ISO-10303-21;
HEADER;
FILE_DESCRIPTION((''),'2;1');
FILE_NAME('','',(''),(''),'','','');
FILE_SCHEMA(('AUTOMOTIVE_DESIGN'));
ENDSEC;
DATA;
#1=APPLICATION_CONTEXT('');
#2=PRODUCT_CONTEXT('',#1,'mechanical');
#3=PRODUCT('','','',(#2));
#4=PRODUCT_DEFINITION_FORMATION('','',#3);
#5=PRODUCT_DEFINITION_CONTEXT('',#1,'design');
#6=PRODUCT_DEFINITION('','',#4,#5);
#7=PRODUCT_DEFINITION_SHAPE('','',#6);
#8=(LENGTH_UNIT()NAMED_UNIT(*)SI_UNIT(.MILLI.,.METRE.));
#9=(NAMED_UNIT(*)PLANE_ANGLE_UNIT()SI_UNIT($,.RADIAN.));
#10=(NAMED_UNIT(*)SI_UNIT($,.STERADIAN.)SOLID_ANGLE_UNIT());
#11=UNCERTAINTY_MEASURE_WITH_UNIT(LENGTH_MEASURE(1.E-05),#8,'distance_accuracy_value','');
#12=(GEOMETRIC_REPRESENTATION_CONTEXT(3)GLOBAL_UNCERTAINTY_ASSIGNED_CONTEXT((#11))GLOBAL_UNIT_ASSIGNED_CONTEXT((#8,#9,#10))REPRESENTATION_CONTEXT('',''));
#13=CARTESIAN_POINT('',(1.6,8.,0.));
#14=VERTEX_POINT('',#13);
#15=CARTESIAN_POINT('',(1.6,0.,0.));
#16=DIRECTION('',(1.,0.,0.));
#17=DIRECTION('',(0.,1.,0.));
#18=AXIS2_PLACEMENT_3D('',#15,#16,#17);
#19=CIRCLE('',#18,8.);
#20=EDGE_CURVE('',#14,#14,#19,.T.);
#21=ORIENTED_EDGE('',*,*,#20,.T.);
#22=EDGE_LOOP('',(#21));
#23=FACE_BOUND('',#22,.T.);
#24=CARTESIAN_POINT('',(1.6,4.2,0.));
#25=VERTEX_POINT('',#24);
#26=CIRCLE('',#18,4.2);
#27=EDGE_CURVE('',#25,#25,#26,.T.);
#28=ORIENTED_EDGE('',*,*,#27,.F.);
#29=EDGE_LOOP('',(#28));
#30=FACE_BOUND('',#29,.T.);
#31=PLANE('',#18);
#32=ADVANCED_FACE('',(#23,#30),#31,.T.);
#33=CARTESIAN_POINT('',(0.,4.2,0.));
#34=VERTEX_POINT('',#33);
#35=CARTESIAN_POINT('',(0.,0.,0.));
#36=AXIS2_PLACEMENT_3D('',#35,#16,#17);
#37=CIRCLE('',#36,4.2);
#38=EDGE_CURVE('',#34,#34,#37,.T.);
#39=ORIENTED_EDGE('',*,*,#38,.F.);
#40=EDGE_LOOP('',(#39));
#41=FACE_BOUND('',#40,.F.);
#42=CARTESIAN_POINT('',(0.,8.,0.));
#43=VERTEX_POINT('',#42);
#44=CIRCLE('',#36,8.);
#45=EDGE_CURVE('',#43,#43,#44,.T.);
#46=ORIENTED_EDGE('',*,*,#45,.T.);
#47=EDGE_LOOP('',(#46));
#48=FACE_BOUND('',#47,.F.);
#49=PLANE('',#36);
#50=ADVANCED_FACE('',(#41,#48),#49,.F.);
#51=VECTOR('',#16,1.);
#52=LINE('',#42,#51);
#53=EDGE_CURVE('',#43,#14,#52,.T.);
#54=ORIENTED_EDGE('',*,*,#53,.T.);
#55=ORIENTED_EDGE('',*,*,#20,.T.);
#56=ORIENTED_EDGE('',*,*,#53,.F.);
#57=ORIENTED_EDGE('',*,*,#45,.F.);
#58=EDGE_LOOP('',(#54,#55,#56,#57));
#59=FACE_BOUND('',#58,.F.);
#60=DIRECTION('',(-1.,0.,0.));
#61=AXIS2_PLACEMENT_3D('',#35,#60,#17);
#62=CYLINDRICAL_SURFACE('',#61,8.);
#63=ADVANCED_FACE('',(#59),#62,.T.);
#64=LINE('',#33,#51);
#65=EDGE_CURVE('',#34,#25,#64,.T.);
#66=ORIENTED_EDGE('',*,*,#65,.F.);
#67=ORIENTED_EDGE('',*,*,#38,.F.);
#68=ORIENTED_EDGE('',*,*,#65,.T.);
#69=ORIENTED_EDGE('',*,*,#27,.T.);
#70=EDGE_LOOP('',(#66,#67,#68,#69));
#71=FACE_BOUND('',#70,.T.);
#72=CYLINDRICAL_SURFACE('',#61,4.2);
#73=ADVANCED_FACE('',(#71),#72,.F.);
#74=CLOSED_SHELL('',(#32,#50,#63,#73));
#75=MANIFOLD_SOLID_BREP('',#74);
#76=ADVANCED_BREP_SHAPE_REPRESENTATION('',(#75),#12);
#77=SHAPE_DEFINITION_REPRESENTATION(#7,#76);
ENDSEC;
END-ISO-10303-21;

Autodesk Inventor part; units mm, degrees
ref_plane "YZ Plane" through (0, 0, 0) normal (1, 0, 0) x (0, 1, 0)
ref_plane "XZ Plane" through (0, 0, 0) normal (0, 1, 0) x (-1, 0, 0)
sketch "Sketch" plane through (0, 0, 0) normal (1, 0, 0) x (0, 1, 0)
  circle A0 centre (0, 0) radius 8
  circle A1 centre (0, 0) radius 4.2
  dimension "d0" = 8.4
  dimension "d1" = 16
extrude "Body" add sketch "Sketch" along normal blind 1.6
ref_plane "Work Plane1" through (0, 0, 0) normal (0, 0, 1) x (1, 0, 0)
equation "\"d0\" = SD1"
equation "\"d1\" = SD2"
equation "\"d2\" = SD"
equation "\"SD1\" = 8.4"
equation "\"SD2\" = 16"
equation "\"SD\" = 1.6"
equation "\"NND\" = 8"
properties part number "100024" material "Steel, Mild"
